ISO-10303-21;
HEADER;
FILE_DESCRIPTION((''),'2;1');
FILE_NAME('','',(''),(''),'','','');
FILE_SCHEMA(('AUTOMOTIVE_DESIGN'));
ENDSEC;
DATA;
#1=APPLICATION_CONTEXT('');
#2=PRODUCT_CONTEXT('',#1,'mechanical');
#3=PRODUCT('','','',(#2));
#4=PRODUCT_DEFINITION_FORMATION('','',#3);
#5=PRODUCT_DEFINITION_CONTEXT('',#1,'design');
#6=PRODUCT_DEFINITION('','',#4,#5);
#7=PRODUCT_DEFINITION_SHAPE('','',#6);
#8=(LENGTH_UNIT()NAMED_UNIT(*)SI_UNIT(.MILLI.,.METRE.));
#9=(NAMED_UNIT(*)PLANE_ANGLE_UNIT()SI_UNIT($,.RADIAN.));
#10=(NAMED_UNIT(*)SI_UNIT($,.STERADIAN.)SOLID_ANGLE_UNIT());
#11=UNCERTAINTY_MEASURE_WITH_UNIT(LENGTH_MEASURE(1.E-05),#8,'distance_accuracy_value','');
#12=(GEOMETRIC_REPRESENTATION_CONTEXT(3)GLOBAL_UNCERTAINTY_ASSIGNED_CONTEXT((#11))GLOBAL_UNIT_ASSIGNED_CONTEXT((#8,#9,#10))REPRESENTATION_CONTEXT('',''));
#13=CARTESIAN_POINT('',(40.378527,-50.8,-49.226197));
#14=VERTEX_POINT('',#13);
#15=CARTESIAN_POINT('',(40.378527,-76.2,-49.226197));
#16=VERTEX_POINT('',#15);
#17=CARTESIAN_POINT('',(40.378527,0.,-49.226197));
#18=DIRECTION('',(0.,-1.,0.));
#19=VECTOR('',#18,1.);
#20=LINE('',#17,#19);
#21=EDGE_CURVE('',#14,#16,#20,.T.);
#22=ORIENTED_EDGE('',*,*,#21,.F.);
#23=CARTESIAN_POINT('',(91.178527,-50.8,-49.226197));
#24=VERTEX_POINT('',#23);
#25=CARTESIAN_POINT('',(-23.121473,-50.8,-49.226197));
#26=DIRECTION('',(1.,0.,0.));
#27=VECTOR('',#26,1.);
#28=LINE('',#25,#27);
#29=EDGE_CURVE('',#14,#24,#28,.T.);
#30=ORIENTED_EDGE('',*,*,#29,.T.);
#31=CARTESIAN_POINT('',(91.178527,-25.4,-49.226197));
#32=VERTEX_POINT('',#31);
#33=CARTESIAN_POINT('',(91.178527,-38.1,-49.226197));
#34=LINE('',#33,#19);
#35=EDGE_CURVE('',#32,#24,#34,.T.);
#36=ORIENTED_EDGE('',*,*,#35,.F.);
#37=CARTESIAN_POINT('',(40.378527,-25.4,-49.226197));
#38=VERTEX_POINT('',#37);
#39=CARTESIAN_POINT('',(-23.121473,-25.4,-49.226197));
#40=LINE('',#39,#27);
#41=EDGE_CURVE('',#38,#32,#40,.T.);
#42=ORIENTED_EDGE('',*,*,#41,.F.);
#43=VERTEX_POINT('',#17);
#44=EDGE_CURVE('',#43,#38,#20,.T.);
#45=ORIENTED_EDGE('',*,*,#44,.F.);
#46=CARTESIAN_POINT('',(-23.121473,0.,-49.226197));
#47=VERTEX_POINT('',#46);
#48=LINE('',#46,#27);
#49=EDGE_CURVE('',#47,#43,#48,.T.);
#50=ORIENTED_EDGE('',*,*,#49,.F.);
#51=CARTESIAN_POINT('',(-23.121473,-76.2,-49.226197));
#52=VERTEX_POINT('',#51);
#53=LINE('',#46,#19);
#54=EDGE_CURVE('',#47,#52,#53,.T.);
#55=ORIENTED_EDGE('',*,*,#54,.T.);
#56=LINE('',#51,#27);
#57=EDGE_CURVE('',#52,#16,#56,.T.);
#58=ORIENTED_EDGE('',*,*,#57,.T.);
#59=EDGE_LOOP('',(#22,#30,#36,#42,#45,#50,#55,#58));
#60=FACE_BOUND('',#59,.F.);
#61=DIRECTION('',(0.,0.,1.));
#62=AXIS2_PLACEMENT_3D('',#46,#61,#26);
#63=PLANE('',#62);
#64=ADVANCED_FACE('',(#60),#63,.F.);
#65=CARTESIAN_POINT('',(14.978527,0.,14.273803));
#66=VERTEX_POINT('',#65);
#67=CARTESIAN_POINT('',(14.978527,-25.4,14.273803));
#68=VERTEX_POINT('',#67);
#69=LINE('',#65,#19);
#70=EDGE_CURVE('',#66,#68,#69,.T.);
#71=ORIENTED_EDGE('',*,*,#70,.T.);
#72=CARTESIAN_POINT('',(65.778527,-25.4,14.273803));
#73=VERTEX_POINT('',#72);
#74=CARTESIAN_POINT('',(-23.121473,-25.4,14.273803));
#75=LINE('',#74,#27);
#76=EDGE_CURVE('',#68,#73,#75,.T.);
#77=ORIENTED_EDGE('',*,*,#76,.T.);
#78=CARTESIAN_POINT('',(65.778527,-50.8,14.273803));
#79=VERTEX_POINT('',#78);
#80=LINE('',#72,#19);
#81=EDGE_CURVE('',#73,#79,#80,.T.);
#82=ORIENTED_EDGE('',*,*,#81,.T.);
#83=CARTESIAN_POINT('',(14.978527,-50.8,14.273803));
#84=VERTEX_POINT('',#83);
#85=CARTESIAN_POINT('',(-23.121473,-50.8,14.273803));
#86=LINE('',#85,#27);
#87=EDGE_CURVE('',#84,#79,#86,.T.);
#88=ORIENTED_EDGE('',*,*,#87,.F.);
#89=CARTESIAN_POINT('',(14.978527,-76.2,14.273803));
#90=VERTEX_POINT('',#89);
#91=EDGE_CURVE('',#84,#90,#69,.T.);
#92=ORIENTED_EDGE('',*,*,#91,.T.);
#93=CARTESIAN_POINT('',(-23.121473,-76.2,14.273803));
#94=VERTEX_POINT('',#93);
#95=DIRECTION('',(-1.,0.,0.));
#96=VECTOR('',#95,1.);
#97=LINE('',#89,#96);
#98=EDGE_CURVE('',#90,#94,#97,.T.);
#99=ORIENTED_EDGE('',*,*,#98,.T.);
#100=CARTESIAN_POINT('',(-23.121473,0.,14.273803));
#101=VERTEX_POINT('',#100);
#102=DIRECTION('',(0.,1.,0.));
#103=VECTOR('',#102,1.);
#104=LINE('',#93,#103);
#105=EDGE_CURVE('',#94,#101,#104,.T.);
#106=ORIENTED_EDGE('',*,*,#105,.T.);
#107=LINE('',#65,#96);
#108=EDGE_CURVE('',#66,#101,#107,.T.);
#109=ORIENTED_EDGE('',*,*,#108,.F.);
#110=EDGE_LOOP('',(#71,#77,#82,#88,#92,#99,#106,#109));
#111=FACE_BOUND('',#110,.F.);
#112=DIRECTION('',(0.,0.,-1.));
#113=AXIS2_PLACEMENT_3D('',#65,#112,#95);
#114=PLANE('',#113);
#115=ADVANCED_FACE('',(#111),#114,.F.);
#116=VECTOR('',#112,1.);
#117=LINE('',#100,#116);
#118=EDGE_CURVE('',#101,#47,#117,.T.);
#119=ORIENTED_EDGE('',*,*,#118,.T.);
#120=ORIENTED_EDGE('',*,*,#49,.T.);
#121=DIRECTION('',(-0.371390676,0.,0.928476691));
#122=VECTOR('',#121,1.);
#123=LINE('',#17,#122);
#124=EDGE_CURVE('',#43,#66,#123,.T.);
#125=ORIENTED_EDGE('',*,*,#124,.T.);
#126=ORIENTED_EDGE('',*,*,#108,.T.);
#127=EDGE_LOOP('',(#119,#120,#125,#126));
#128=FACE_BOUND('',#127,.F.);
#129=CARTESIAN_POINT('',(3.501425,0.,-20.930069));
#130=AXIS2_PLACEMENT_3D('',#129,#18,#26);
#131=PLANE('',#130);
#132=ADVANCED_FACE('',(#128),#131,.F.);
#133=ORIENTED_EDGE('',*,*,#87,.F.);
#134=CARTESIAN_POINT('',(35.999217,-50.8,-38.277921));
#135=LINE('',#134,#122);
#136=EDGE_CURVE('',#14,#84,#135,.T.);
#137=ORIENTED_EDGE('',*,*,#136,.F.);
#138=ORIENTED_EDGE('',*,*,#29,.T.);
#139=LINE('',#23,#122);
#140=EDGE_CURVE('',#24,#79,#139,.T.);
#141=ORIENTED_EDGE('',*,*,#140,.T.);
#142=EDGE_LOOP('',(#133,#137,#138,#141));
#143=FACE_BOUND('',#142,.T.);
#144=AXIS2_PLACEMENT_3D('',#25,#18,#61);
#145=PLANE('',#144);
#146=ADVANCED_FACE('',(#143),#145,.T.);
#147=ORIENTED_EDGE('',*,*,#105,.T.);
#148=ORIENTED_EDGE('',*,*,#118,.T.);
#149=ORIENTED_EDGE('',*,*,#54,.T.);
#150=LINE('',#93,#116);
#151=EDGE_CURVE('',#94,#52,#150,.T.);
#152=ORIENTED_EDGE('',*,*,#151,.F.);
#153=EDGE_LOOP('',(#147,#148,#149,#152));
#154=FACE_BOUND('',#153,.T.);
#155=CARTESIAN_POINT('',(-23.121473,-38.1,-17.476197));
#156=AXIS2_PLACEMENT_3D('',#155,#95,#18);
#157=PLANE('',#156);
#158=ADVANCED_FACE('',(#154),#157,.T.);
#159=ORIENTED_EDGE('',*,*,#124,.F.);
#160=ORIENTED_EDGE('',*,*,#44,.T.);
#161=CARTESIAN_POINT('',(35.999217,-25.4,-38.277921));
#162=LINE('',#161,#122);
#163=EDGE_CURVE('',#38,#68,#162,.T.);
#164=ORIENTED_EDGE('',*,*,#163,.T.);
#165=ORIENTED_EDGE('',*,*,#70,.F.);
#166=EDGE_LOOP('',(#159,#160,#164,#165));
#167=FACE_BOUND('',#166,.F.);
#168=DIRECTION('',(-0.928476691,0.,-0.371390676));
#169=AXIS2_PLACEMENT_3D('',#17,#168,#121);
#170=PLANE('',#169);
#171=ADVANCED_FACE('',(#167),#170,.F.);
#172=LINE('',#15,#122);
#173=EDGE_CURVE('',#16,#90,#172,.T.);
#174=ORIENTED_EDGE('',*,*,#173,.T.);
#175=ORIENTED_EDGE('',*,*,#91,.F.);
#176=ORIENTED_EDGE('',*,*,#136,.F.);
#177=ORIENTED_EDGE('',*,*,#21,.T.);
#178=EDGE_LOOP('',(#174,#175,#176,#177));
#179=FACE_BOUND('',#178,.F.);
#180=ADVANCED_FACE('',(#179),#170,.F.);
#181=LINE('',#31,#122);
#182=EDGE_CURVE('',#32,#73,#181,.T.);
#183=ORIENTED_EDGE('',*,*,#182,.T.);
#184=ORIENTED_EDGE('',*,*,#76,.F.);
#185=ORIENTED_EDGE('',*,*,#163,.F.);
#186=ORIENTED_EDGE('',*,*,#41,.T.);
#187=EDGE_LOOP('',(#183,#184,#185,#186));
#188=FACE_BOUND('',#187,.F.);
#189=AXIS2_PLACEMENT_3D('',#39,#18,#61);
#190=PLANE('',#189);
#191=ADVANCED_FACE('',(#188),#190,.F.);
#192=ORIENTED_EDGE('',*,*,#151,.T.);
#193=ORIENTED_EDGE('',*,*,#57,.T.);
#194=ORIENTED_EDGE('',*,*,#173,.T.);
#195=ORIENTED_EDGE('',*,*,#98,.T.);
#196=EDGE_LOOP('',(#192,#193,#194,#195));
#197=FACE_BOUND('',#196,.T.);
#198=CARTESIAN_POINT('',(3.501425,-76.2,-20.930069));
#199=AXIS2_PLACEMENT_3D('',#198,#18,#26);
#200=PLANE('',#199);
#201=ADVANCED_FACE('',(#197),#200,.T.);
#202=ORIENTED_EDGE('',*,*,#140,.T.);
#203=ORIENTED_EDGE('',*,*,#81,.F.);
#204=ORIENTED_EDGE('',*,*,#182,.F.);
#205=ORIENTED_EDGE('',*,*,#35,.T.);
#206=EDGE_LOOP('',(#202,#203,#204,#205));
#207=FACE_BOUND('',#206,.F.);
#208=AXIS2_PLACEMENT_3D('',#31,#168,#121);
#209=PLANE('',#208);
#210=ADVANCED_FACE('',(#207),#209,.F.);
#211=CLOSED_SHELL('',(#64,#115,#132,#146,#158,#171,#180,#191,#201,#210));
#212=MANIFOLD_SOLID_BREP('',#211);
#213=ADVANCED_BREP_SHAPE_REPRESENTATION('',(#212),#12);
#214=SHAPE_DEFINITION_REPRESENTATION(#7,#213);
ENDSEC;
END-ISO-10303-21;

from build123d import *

# Parameters (mm, degrees)
F1_DEPTH = 76.2
F2_W     = 25.4
F2_H     = 63.5
F3_DEPTH = 114.3
F5_DEPTH = 25.4


with BuildPart() as f1:
    # F0 (on Front) → F1 (new body)
    with BuildSketch(Plane.XZ):
        Polygon((-23.121473, 14.273803), (-23.121473, -49.226197), (40.378527, -49.226197), (14.978527, 14.273803), align=None)
    extrude(amount=F1_DEPTH)

    # F2 (on face) → F3 (join)
    with BuildSketch(Plane(origin=(-23.121473, 0, 0), x_dir=(0, -1, 0), z_dir=(-1, 0, 0))):
        with Locations((38.1, -17.476197)):
            Rectangle(F2_W, F2_H)
    extrude(amount=-F3_DEPTH)

    # F4 (on face) → F5 (cut)
    with BuildSketch(Plane(origin=(0, -25.4, 0), x_dir=(-1, 0, 0), z_dir=(0, 1, 0))):
        Polygon((-91.178527, -49.226197), (-65.778527, 14.273803), (-91.178527, 14.273803), align=None)
    extrude(amount=-F5_DEPTH, mode=Mode.SUBTRACT)


solid = f1.part
